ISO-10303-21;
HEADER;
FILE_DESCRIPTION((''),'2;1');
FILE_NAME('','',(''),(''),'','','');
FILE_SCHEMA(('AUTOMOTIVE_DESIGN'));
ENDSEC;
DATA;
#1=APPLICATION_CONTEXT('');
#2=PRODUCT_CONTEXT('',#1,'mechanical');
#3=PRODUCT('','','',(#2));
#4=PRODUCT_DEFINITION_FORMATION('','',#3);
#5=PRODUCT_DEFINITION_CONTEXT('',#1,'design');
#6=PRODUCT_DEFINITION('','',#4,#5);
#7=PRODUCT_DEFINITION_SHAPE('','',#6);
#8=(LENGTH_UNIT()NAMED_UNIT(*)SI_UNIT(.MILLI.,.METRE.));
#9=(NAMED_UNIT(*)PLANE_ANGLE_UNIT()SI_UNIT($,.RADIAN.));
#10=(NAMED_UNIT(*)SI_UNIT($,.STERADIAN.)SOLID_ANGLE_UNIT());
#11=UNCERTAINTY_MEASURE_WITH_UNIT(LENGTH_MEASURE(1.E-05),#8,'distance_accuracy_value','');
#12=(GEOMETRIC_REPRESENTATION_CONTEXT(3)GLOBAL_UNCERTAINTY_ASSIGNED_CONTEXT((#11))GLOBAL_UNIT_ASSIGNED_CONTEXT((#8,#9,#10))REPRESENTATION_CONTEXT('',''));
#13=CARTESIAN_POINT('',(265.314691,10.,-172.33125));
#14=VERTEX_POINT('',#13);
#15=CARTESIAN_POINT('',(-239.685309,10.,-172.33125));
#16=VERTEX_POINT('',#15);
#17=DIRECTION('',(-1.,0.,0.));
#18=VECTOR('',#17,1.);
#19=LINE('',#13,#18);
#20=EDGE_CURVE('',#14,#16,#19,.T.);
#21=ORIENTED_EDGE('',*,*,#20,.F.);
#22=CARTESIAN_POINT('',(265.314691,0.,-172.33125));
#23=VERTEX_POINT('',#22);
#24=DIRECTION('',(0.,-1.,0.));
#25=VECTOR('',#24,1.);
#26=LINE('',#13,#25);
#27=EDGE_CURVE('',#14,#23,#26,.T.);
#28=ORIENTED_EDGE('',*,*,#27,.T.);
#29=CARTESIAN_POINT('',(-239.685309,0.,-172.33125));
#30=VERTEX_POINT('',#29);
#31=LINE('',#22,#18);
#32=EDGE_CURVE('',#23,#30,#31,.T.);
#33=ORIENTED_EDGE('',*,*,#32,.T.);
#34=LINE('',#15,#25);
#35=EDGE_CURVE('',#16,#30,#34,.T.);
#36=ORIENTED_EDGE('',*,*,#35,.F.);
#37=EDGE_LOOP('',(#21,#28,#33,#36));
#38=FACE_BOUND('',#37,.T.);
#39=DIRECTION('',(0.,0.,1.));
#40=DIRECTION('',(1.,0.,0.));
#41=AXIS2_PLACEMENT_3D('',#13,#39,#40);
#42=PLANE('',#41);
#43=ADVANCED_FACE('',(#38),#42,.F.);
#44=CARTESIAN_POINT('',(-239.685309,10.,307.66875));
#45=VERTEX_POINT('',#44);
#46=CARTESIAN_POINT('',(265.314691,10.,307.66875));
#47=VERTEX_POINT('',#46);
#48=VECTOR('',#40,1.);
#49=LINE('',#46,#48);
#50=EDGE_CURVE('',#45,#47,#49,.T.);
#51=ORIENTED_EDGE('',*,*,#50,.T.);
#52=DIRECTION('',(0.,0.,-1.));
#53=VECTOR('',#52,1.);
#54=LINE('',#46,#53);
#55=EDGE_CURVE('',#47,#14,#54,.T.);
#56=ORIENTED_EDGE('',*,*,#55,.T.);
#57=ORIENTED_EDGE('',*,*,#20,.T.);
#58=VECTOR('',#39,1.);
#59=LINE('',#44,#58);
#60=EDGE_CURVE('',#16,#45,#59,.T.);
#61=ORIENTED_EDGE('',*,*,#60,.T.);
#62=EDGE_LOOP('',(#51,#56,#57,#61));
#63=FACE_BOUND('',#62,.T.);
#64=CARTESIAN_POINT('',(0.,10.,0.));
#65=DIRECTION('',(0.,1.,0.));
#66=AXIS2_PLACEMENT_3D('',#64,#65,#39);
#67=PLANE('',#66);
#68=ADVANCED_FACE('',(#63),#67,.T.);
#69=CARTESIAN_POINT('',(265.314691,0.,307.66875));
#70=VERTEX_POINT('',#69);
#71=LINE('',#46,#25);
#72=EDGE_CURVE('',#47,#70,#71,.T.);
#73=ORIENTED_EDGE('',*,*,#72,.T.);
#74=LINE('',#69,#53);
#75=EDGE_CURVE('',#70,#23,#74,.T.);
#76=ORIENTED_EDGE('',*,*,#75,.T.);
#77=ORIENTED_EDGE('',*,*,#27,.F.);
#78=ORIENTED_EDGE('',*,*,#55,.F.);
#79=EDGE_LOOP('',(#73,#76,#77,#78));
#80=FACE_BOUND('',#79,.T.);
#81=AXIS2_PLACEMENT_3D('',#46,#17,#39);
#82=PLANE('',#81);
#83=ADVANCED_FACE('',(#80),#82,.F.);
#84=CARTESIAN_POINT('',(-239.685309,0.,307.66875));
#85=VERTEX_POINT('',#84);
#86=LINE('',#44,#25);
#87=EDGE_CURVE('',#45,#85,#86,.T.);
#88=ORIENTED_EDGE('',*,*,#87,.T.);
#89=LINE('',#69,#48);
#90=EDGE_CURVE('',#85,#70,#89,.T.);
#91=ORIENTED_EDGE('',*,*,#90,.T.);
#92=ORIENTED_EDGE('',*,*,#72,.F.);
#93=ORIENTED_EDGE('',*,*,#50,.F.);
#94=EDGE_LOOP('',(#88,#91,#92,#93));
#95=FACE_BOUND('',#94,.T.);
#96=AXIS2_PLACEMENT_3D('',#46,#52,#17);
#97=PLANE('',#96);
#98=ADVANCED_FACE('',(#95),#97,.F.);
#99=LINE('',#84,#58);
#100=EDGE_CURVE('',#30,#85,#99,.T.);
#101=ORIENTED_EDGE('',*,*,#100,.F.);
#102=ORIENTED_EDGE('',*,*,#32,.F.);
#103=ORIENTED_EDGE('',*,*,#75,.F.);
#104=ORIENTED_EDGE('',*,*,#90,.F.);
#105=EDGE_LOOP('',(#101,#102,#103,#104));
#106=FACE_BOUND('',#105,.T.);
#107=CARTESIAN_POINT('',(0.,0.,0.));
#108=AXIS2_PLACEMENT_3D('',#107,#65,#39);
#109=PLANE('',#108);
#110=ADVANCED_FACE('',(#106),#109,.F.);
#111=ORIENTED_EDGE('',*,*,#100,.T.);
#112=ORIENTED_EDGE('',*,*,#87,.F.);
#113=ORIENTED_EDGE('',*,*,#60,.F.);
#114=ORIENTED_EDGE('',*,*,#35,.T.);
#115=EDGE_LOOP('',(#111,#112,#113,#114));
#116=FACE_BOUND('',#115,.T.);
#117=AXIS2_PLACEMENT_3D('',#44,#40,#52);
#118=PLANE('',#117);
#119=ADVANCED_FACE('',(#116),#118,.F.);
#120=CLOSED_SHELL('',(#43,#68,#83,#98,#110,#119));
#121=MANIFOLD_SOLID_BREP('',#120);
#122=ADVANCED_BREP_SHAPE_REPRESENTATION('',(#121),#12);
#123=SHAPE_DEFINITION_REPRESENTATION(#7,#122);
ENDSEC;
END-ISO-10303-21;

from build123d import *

# Parameters (mm, degrees)
CROQUIS1_W              = 505
CROQUIS1_H              = 480
SALIENTE_EXTRUIR1_DEPTH = 10


with BuildPart() as part:
    # Croquis1 → Saliente-Extruir1 (new body)
    with BuildSketch(Plane(origin=(0, 0, 0), x_dir=(1, 0, 0), z_dir=(0, 1, 0))):
        with Locations((12.814691152, -67.66875)):
            Rectangle(CROQUIS1_W, CROQUIS1_H)
    extrude(amount=SALIENTE_EXTRUIR1_DEPTH)


solid = part.part
